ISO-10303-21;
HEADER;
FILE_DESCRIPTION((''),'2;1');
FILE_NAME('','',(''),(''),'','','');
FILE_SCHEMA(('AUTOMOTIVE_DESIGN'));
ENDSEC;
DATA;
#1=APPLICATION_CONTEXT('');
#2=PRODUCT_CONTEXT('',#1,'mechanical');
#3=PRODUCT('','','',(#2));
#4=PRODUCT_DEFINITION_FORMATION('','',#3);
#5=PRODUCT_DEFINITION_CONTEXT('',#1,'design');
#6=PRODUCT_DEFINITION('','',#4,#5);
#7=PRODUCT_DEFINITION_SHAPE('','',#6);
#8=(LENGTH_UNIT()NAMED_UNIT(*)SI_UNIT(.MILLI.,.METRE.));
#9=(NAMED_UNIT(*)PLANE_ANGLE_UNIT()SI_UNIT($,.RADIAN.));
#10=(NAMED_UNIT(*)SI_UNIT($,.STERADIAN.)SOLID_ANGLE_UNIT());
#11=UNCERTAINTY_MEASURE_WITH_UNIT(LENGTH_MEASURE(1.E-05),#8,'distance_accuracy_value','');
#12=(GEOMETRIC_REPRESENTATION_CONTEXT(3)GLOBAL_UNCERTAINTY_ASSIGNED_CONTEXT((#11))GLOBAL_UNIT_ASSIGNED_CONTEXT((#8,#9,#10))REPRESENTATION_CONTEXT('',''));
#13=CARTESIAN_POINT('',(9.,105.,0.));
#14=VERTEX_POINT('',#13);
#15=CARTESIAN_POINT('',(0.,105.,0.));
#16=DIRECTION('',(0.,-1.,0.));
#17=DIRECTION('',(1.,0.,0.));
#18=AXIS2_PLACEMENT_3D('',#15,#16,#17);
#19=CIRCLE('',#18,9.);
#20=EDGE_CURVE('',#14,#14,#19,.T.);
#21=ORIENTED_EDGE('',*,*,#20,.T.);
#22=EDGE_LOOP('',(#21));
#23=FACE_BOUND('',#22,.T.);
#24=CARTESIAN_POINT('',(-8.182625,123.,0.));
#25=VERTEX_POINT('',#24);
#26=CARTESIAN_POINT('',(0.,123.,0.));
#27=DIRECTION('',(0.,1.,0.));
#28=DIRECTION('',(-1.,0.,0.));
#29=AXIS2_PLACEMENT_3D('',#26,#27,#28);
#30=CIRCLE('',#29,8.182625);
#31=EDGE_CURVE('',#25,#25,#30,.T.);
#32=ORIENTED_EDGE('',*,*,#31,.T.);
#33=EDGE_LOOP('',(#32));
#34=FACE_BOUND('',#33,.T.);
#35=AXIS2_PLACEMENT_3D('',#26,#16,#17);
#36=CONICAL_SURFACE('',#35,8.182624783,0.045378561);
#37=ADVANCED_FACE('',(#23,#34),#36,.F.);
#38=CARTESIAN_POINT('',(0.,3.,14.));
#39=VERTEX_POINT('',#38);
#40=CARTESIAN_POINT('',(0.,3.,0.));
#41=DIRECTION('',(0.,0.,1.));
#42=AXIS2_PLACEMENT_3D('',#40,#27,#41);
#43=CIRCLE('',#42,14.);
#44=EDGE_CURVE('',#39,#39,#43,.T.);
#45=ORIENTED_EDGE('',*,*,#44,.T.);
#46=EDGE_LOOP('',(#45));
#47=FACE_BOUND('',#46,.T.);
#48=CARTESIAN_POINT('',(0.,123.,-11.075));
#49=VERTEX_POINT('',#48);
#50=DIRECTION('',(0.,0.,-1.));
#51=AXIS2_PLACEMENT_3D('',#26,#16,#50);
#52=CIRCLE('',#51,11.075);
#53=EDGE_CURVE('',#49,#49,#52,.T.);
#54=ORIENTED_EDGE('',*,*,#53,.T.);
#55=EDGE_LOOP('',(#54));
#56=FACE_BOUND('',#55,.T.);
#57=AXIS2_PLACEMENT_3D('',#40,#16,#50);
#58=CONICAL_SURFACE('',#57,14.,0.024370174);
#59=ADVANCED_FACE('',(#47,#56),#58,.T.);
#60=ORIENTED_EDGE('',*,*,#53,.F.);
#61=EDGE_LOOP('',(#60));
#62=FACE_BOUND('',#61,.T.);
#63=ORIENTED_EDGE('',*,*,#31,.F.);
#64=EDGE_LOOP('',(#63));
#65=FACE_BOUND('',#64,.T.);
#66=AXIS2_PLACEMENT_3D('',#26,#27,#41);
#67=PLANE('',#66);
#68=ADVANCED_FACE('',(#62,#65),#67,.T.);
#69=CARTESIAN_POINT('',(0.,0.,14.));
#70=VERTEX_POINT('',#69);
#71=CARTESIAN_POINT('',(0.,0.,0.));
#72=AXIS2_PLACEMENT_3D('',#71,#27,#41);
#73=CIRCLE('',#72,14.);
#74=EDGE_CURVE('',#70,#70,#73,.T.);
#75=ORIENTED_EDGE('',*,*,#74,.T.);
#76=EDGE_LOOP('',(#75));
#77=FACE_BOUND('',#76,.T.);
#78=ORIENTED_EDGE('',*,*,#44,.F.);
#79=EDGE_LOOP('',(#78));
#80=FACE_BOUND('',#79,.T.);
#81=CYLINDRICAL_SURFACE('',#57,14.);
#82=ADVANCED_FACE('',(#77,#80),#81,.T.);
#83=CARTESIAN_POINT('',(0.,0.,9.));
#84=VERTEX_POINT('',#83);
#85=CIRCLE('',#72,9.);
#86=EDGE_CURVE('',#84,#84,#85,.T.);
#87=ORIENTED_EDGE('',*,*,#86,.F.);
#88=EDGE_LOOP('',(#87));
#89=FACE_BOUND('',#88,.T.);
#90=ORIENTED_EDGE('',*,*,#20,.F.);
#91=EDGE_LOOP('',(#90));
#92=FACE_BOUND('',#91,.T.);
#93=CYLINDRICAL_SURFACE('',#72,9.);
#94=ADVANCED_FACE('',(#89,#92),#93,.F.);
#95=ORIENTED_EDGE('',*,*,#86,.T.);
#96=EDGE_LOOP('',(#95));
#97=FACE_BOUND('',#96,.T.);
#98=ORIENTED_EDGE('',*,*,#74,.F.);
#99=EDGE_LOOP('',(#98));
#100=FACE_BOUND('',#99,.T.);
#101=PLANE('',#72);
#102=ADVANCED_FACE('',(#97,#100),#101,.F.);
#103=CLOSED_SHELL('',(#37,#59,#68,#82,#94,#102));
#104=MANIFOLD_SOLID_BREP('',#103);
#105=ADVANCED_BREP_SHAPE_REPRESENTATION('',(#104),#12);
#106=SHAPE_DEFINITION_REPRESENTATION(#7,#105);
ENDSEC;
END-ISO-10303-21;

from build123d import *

# Parameters (mm, degrees)
CROQUIS1_R              = 14
SALIENTE_EXTRUIR1_DEPTH = 3
CROQUIS2_R              = 11.075
SALIENTE_EXTRUIR2_DEPTH = 120
CROQUIS10_R             = 9
CORTAR_EXTRUIR1_DEPTH   = 125.583305463


with BuildPart() as part:
    # Croquis1 → Saliente-Extruir1 (new body)
    with BuildSketch(Plane(origin=(0, 0, 0), x_dir=(1, 0, 0), z_dir=(0, 1, 0))):
        with Locations(Location((0, 0, 0), (0, 0, 270))):
            Circle(CROQUIS1_R)
    extrude(amount=SALIENTE_EXTRUIR1_DEPTH)

    # Croquis2 → Saliente-Extruir2 (add)
    with BuildSketch(Plane(origin=(0, 3, 0), x_dir=(1, 0, 0), z_dir=(0, 1, 0))):
        with Locations(Location((0, 0, 0), (0, 0, 270))):
            Circle(CROQUIS2_R)
    extrude(amount=SALIENTE_EXTRUIR2_DEPTH)

    # Croquis4 → Revolución1 (revolve)
    with BuildSketch(Plane.XY, mode=Mode.PRIVATE) as revoluci_n1_sk:
        Polygon((14, 3), (11.075, 3), (11.075, 123), align=None)
    revolve(revoluci_n1_sk.sketch.rotate(Axis((0, 0, 0), (0, 1, 0)), 90), axis=Axis((0, 0, 0), (0, 1, 0)))

    # Croquis10 → Cortar-Extruir1 (cut, through all)
    with BuildSketch(Plane(origin=(0, 123, 0), x_dir=(1, 0, 0), z_dir=(0, 1, 0))):
        with Locations(Location((0, 0, 0), (0, 0, 270))):
            Circle(CROQUIS10_R)
    extrude(amount=-CORTAR_EXTRUIR1_DEPTH, mode=Mode.SUBTRACT)

    # Croquis11 → Revolución2 (revolve)
    with BuildSketch(Plane.XY, mode=Mode.PRIVATE) as revoluci_n2_sk:
        Polygon((9, 123), (9, 105), (8.182624783, 123), align=None)
    revolve(revoluci_n2_sk.sketch.rotate(Axis((0, 123, 0), (0, -1, 0)), 90), axis=Axis((0, 123, 0), (0, -1, 0)))


solid = part.part
